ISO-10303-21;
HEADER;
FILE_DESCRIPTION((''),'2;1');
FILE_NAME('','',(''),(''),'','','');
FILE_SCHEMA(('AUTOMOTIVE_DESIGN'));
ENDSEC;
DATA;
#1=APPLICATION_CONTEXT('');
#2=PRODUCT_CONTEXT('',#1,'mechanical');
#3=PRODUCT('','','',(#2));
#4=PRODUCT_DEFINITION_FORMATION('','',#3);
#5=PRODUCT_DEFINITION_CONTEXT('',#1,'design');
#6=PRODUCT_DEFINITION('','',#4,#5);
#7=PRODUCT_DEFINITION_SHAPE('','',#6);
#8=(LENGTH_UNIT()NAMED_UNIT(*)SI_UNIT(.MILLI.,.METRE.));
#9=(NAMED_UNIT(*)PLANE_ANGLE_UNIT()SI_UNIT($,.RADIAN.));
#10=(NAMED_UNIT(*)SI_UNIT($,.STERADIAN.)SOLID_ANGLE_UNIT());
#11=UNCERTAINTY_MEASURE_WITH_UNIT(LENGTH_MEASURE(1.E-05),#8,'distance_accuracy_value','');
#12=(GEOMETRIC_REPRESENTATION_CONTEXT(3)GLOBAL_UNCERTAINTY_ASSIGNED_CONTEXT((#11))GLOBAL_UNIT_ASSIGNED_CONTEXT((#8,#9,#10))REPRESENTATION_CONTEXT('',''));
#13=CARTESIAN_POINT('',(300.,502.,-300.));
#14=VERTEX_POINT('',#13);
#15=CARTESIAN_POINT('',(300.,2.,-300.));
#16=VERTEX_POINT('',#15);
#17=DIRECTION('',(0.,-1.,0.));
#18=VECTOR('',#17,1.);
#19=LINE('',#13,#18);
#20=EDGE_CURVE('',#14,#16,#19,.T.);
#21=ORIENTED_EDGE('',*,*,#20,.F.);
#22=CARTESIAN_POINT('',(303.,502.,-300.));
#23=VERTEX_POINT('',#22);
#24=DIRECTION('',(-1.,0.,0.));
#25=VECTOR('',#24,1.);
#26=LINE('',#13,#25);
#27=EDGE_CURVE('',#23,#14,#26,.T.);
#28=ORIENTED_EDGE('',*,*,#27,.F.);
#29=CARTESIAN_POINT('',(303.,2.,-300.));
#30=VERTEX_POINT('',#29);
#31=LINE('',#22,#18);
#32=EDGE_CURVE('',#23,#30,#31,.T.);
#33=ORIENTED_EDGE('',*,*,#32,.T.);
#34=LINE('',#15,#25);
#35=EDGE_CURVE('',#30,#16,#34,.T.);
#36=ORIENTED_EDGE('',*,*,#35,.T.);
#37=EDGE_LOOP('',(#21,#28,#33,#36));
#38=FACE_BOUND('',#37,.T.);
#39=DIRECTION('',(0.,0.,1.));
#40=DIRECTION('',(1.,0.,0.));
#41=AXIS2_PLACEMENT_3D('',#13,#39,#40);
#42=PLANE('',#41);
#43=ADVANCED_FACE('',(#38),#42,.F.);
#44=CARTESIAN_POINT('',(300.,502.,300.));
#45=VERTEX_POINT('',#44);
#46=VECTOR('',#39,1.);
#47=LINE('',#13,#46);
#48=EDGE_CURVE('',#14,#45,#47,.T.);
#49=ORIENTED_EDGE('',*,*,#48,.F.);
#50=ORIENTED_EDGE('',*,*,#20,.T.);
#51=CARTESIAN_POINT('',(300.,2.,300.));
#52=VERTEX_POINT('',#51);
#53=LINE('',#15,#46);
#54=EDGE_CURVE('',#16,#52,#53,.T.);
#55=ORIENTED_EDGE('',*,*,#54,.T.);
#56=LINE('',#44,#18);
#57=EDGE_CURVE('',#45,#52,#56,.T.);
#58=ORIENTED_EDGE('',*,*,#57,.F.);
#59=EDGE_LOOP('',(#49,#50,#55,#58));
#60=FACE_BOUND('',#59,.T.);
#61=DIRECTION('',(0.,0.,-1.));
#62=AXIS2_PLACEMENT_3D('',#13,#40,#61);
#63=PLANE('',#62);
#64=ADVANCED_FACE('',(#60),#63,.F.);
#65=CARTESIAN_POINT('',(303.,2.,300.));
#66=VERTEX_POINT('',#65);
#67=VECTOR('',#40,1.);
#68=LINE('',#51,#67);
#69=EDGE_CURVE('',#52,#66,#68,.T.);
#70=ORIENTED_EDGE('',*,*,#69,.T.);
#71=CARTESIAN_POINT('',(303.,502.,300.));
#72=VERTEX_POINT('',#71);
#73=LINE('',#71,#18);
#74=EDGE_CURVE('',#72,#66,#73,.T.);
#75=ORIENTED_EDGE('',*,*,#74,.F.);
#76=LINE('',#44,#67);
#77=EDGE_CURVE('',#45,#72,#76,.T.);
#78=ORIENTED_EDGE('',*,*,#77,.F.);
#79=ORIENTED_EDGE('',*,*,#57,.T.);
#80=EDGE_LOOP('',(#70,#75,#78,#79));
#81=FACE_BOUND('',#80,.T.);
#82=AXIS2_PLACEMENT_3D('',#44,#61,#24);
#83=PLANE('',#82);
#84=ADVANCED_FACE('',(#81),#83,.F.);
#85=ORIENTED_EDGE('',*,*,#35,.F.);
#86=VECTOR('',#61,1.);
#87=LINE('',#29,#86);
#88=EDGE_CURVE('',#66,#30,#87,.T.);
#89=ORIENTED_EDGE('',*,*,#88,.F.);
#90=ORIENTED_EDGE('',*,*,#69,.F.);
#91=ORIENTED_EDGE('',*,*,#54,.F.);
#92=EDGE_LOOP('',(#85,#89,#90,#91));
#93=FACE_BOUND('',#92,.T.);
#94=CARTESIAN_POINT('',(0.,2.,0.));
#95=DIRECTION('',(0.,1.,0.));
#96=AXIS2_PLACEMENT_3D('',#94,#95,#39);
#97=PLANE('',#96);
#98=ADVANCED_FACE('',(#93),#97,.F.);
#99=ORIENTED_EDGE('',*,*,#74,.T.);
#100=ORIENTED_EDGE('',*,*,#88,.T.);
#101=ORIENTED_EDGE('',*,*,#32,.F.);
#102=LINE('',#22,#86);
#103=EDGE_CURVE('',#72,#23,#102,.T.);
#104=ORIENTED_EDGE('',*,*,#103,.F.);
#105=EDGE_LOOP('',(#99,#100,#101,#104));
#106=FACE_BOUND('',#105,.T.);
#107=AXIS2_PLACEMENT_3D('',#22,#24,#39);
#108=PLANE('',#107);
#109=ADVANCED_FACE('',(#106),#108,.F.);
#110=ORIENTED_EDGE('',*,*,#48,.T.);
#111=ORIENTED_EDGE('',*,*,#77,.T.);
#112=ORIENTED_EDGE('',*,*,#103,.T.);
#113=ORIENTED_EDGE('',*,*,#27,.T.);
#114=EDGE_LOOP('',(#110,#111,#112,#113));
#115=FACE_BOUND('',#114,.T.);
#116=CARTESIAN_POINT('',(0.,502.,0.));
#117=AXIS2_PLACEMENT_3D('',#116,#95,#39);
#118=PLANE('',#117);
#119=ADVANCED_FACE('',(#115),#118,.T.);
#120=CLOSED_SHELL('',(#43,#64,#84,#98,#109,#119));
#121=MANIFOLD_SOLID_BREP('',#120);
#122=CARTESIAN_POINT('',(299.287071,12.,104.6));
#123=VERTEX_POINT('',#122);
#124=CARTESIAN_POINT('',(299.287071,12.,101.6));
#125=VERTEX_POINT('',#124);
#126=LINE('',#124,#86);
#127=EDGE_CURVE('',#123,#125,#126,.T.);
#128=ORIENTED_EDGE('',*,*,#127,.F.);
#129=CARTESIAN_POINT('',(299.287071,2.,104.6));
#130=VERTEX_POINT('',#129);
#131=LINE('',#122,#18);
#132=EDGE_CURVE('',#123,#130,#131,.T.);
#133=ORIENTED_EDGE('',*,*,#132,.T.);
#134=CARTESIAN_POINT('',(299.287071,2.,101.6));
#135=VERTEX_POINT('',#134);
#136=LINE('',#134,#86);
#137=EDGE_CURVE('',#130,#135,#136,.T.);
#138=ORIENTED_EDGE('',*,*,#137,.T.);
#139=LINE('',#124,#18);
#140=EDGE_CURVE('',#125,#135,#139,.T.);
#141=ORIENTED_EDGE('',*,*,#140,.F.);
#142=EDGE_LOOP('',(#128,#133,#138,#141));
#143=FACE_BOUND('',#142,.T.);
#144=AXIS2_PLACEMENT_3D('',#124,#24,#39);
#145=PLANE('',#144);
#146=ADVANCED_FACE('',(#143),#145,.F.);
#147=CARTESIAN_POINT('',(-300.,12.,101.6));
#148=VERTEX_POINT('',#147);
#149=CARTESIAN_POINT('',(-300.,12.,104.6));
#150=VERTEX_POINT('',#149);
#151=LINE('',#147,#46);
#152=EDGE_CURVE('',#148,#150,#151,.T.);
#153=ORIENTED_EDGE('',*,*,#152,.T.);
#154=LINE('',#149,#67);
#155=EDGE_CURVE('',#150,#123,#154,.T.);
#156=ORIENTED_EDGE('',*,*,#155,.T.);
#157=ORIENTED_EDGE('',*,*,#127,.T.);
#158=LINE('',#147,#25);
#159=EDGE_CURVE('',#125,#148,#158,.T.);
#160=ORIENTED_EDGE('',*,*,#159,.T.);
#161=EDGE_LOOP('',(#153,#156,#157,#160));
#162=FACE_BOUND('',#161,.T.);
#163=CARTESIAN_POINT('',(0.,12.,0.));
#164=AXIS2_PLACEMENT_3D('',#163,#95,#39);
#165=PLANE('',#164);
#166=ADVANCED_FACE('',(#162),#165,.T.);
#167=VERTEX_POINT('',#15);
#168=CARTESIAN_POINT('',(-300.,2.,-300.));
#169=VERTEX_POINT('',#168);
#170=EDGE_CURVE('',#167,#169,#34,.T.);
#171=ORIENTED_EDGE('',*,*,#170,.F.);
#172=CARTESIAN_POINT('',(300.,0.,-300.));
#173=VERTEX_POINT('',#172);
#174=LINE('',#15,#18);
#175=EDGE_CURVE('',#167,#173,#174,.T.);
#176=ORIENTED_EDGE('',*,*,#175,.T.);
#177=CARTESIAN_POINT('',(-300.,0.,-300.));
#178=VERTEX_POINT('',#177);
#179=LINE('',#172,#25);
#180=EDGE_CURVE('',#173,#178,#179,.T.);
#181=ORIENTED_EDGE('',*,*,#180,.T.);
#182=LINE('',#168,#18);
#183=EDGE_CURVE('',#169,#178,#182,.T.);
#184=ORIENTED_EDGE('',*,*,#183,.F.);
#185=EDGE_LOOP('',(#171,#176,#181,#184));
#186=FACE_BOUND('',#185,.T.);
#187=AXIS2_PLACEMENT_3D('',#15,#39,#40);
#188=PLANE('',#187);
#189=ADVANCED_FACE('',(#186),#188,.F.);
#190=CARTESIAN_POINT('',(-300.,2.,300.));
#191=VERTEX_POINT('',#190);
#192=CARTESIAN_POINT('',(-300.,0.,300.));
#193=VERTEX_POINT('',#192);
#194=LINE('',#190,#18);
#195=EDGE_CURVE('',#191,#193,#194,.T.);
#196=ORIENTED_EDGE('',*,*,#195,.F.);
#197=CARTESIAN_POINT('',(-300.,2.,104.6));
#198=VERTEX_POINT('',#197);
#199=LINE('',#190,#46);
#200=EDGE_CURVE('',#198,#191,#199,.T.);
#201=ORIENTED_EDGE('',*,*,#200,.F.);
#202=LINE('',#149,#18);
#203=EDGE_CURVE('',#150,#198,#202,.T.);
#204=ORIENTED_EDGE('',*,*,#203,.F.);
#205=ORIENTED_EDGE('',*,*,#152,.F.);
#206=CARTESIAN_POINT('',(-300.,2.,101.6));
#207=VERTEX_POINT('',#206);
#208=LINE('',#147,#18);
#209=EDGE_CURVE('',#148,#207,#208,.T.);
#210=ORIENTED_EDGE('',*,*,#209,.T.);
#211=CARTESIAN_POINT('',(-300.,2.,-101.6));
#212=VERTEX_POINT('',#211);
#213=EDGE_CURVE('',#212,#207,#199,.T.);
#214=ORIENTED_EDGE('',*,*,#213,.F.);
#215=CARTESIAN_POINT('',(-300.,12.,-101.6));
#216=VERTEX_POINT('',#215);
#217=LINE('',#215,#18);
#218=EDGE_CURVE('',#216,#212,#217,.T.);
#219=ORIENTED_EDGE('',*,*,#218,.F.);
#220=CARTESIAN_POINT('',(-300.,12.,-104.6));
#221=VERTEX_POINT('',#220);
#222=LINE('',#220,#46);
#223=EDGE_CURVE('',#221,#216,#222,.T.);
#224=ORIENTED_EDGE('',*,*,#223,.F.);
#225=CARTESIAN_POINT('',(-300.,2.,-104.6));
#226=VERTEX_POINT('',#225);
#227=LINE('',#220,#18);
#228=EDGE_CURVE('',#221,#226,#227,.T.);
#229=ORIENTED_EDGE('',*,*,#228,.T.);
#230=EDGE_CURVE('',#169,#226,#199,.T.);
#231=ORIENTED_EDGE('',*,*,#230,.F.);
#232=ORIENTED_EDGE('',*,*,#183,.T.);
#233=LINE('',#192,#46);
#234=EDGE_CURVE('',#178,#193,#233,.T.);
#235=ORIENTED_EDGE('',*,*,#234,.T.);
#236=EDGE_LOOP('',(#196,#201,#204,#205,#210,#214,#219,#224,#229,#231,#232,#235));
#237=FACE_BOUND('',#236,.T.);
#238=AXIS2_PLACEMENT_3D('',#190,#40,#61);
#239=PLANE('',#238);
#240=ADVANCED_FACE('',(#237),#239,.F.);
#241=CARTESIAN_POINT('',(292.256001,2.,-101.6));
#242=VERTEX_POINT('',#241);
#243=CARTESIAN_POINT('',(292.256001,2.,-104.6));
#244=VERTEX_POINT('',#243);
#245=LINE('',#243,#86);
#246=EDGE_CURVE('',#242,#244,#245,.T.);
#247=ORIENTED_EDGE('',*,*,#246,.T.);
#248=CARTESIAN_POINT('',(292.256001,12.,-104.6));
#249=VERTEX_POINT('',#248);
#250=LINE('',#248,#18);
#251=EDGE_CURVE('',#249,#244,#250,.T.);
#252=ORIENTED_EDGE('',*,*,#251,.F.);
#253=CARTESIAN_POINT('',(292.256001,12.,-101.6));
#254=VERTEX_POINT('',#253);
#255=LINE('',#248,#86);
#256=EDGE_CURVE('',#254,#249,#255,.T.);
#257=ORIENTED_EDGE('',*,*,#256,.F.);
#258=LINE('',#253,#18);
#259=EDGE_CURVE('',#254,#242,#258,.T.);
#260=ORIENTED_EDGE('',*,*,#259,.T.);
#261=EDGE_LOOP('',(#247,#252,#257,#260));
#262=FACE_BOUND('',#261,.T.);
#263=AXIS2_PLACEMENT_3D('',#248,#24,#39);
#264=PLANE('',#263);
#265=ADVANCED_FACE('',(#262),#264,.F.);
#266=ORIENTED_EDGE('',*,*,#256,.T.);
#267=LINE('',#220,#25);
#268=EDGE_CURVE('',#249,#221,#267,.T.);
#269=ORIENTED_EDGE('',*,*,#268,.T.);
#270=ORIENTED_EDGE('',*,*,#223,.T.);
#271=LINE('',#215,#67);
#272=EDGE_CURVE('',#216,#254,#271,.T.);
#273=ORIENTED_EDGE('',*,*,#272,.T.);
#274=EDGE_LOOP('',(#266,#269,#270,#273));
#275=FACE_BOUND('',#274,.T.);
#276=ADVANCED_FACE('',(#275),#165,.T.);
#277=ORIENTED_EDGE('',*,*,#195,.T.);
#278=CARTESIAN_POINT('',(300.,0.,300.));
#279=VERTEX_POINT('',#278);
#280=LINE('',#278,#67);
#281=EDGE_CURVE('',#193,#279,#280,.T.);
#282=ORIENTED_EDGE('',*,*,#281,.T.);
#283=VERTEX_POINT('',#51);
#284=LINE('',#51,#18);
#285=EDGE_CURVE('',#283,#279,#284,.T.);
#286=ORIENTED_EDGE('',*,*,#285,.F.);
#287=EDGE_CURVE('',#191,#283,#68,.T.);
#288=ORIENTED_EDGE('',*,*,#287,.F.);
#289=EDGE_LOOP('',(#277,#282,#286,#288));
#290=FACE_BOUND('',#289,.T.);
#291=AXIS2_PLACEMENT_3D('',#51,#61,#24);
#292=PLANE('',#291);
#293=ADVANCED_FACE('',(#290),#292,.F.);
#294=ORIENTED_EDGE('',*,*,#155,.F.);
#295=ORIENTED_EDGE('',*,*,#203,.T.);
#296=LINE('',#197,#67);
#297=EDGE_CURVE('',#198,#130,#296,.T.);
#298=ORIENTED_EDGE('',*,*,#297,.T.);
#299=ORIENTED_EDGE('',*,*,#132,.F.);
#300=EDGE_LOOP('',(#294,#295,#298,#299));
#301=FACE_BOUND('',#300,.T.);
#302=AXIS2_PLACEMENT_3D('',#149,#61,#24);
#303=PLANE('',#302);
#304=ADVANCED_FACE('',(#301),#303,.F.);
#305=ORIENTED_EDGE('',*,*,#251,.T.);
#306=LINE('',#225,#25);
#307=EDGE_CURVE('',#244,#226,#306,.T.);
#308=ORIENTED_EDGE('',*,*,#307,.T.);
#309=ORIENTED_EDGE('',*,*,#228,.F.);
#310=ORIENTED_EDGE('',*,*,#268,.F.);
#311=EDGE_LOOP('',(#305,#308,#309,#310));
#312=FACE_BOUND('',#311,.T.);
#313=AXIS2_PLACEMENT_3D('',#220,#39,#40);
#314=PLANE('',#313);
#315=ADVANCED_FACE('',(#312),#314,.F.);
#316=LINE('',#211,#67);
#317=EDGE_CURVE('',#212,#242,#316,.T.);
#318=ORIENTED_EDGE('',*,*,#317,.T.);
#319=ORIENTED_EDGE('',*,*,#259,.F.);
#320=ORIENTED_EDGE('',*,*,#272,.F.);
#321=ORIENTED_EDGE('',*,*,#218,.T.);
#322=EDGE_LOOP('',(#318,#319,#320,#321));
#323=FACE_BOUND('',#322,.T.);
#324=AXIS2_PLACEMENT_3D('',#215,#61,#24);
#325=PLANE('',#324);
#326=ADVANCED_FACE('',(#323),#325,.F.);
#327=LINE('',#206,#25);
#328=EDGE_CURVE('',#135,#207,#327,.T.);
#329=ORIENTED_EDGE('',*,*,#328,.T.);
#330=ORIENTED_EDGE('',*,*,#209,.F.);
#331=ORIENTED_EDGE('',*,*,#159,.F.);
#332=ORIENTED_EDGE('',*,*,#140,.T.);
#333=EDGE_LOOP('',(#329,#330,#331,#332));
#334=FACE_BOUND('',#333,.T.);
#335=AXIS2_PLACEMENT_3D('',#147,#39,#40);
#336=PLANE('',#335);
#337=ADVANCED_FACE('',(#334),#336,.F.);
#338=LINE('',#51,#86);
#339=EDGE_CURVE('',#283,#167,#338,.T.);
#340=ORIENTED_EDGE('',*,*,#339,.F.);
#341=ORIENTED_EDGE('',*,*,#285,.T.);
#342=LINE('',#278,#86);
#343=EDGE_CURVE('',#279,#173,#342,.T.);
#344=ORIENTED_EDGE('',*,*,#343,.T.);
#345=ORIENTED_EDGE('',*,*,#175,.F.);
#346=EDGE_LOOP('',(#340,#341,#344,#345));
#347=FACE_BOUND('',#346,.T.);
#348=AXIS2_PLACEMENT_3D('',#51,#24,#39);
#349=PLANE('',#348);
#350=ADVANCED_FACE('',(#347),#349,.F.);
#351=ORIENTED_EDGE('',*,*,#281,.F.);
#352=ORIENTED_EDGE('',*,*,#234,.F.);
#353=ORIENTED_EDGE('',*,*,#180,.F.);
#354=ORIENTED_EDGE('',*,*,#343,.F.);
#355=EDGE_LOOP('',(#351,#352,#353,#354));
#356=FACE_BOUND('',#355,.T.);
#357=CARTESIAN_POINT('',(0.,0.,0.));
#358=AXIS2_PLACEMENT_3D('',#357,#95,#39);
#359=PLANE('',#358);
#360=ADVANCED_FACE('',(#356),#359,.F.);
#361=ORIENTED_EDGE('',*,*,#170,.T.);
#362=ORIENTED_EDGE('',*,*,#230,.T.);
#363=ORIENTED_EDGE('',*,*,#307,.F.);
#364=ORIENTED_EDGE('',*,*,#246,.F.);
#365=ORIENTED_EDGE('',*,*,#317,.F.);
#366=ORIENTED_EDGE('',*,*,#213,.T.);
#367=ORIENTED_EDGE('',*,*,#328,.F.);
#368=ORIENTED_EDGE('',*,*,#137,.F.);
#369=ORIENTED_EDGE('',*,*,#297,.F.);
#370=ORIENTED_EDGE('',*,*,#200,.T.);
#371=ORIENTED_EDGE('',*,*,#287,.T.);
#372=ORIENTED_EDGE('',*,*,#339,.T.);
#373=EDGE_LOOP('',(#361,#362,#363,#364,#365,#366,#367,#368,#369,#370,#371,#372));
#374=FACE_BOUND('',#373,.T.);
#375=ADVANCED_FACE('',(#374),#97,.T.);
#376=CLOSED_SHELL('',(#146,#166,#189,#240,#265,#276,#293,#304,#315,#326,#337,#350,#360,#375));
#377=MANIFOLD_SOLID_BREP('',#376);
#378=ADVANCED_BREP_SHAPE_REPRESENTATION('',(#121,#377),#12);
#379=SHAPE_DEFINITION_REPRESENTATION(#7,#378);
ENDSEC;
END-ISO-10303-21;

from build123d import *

# Parameters (mm, degrees)
SKETCH_1_W      = 600
SKETCH_1_H      = 600
EXTRUDE_1_DEPTH = 2
SKETCH_2_W      = 3
SKETCH_2_H      = 600
EXTRUDE_2_DEPTH = 500
SKETCH_4_W      = 592.256000526
SKETCH_4_H      = 3
SKETCH_4_W_2    = 599.287070966
EXTRUDE_6_DEPTH = 10


with BuildPart() as part:
    # 草图1 → 凸台-拉伸1 (new body)
    with BuildSketch(Plane(origin=(0, 0, 0), x_dir=(1, 0, 0), z_dir=(0, 1, 0))):
        Rectangle(SKETCH_1_W, SKETCH_1_H)
    extrude(amount=EXTRUDE_1_DEPTH)

    # 草图4 → 凸台-拉伸6 (add)
    with BuildSketch(Plane(origin=(0, 2, 0), x_dir=(1, 0, 0), z_dir=(0, 1, 0))):
        with Locations((-3.871999737, 103.1)):
            Rectangle(SKETCH_4_W, SKETCH_4_H)
        with Locations((-0.356464517, -103.1)):
            Rectangle(SKETCH_4_W_2, SKETCH_4_H)
    extrude(amount=EXTRUDE_6_DEPTH)


with BuildPart() as body_2:
    # 草图2 → 凸台-拉伸2 (new body)
    with BuildSketch(Plane(origin=(0, 2, 0), x_dir=(1, 0, 0), z_dir=(0, 1, 0))):
        with Locations((301.5, 0)):
            Rectangle(SKETCH_2_W, SKETCH_2_H)
    extrude(amount=EXTRUDE_2_DEPTH)


solid = Compound([part.part, body_2.part])
